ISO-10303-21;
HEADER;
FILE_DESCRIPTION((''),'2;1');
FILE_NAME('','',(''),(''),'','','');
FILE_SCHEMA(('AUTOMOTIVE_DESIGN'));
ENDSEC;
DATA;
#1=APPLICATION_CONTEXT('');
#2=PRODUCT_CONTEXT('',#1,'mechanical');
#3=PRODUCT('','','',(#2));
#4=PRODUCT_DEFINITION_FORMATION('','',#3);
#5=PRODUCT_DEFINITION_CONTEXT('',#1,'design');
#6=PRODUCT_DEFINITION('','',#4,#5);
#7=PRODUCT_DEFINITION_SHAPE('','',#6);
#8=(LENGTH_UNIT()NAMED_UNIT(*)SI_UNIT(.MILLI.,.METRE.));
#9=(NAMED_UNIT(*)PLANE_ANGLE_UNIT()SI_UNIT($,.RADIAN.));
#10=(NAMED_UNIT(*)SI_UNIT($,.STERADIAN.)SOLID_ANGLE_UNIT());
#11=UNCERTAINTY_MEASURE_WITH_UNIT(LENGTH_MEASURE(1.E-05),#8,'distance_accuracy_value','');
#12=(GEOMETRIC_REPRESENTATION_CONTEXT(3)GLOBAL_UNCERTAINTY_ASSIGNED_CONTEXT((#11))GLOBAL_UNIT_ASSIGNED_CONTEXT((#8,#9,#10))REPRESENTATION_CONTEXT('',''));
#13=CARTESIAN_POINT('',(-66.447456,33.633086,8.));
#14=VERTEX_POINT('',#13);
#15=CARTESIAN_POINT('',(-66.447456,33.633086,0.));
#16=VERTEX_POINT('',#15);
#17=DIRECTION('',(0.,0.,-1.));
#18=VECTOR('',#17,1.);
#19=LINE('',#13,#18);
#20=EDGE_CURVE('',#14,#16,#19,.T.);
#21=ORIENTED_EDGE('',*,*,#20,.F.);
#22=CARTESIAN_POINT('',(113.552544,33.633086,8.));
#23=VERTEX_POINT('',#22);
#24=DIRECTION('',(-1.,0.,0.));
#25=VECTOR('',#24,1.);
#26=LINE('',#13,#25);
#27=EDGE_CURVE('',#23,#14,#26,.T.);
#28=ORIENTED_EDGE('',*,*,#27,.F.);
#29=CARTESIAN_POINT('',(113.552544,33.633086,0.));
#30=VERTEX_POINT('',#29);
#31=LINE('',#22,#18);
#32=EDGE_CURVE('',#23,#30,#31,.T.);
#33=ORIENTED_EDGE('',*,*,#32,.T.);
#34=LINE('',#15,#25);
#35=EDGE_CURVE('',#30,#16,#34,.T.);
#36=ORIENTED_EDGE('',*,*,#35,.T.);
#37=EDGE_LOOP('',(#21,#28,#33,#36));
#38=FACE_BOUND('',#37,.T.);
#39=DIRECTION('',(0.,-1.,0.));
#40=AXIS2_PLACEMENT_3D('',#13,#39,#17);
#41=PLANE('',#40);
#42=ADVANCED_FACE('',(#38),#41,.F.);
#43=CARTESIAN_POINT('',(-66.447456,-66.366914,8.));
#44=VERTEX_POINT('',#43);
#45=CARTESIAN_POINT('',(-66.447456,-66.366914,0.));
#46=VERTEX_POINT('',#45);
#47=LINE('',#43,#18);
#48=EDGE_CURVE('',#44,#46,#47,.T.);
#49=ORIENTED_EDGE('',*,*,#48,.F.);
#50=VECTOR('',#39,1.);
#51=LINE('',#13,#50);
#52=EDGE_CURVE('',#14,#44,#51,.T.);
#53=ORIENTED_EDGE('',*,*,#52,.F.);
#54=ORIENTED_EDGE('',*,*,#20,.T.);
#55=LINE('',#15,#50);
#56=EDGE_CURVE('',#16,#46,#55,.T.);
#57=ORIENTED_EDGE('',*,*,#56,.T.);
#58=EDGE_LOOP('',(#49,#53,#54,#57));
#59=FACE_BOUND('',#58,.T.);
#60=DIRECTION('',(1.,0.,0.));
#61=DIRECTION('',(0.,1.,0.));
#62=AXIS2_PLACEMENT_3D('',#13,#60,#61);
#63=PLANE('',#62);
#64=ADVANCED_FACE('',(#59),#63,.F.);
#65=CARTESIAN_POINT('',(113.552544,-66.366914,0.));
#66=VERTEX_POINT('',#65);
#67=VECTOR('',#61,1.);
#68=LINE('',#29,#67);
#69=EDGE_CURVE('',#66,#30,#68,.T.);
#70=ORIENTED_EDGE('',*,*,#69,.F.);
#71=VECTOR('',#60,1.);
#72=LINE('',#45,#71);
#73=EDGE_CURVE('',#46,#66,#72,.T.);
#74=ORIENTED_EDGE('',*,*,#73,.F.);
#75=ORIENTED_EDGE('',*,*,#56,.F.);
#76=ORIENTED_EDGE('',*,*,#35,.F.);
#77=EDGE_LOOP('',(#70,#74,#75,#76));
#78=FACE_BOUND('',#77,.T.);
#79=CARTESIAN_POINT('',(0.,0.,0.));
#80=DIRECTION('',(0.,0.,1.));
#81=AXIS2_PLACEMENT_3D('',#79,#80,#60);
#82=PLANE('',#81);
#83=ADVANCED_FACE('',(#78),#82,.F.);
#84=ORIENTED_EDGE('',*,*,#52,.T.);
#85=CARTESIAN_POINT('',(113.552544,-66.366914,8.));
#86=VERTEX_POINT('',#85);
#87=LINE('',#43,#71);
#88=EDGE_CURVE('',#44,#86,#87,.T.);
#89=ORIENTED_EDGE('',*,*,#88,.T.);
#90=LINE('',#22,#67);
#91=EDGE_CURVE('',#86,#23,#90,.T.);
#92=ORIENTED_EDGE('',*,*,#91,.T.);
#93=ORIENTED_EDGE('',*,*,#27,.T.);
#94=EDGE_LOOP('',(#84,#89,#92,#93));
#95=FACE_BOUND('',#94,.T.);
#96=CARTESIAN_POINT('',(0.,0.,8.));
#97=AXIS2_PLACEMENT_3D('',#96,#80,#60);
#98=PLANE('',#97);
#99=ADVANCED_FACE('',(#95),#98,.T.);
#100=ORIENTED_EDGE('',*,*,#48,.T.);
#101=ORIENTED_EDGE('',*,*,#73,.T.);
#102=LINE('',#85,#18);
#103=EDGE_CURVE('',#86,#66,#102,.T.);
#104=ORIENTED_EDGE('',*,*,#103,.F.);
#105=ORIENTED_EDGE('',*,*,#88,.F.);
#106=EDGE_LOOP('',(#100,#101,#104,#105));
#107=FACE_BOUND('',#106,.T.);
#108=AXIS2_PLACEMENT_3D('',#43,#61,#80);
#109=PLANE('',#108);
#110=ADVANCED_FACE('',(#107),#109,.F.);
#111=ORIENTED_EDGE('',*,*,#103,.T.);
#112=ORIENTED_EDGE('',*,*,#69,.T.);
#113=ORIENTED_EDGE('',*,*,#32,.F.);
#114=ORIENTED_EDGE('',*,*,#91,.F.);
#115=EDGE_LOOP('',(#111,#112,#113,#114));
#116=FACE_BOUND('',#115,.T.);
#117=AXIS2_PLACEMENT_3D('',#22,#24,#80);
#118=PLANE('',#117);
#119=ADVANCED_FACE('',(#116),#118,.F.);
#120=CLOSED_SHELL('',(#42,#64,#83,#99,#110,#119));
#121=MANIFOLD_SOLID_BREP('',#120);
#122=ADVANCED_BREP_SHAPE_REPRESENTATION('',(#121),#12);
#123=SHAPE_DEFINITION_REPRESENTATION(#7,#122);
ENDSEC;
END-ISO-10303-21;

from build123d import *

# Parameters (mm, degrees)
SKETCH_1_W      = 180
SKETCH_1_H      = 100
EXTRUDE_1_DEPTH = 8


with BuildPart() as part:
    # 草图1 → 凸台-拉伸1 (new body)
    with BuildSketch(Plane.XY):
        with Locations((23.552544453, -16.366914046)):
            Rectangle(SKETCH_1_W, SKETCH_1_H)
    extrude(amount=EXTRUDE_1_DEPTH)


solid = part.part
